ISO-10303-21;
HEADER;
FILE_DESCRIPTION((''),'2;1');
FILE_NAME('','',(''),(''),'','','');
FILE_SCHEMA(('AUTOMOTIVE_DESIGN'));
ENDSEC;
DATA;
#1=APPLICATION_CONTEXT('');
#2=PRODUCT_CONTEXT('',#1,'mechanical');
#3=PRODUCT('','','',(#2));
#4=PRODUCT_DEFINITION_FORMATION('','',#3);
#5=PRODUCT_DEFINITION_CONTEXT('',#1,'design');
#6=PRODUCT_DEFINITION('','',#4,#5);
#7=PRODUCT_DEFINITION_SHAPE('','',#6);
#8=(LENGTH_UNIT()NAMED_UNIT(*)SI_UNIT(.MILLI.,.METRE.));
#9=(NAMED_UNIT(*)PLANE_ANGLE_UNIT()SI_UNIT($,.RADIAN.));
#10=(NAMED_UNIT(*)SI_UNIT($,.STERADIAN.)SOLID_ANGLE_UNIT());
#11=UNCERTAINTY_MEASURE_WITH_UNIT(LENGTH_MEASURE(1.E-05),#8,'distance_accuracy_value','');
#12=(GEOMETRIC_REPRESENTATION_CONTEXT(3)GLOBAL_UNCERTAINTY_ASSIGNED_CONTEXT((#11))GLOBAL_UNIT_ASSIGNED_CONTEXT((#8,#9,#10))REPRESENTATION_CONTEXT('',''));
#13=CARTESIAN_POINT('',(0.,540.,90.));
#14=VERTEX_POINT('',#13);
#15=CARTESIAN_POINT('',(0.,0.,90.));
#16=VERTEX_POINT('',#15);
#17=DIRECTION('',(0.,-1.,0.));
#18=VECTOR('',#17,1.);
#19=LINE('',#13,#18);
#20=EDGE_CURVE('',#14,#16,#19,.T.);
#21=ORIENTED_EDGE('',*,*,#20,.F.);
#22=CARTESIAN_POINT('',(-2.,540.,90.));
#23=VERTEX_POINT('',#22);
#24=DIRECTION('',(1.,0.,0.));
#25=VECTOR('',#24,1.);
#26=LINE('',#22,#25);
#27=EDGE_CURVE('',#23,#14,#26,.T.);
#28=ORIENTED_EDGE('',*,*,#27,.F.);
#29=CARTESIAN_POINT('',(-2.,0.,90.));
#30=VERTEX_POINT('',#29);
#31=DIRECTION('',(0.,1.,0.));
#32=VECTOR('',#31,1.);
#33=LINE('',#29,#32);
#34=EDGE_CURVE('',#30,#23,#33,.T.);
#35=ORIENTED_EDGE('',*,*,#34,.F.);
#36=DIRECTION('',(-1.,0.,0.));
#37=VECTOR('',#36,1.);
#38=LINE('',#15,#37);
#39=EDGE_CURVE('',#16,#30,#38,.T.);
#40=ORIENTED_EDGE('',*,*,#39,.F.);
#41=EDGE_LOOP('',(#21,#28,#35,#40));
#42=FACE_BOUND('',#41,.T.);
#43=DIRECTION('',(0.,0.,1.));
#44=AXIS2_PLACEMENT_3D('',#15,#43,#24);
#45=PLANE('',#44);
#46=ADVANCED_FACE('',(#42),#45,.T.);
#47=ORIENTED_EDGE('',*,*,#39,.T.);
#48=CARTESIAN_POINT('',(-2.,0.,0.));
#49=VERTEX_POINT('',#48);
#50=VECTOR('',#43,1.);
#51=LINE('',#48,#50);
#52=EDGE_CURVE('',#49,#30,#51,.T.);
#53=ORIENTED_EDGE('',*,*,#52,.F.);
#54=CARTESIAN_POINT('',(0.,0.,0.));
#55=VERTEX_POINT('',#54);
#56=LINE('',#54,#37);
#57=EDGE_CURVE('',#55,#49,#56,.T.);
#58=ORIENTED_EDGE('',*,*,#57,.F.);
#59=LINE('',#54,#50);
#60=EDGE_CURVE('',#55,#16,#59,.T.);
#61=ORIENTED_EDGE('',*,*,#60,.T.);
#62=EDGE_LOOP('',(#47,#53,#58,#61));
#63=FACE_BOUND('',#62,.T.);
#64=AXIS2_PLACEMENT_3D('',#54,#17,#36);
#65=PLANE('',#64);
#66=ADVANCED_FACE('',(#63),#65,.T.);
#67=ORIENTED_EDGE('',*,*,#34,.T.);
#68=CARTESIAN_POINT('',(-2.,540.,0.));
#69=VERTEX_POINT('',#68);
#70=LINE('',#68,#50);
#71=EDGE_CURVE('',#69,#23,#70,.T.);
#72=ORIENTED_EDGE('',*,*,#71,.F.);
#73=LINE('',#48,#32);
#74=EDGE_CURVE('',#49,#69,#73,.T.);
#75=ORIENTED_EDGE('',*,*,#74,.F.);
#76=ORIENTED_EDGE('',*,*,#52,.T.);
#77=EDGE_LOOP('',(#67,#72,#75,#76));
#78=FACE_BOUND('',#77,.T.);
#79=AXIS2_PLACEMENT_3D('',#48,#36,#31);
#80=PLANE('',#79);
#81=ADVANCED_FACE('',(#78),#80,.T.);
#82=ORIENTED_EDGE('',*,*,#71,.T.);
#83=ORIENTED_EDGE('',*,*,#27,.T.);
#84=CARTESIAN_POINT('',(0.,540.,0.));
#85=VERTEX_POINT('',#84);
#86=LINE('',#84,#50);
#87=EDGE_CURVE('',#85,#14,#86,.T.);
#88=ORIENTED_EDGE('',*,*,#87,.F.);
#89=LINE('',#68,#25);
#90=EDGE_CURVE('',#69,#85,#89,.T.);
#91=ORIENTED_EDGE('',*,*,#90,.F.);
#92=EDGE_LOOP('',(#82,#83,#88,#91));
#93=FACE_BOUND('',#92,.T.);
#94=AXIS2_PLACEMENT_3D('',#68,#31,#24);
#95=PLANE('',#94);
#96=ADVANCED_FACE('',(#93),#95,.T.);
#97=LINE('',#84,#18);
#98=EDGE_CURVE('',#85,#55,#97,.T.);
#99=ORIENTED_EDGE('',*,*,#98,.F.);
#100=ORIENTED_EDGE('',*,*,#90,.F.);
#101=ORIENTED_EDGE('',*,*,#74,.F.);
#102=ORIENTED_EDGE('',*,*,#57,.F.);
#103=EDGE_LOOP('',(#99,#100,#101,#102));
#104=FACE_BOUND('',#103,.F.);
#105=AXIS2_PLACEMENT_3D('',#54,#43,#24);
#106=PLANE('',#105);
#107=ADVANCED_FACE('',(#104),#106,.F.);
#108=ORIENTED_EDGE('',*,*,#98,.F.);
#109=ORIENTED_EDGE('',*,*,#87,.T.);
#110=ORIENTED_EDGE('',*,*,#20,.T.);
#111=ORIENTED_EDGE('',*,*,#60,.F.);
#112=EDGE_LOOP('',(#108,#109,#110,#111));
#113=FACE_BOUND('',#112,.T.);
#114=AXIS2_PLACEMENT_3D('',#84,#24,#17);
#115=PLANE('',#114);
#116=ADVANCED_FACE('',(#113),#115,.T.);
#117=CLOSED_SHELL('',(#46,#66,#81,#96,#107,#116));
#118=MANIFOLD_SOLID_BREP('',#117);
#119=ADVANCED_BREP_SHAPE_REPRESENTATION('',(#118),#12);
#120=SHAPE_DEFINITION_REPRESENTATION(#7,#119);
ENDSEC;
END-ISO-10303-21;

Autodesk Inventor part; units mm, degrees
ref_plane "YZ Plane" through (0, 0, 0) normal (1, 0, 0) x (0, 1, 0)
ref_plane "XZ Plane" through (0, 0, 0) normal (0, 1, 0) x (-1, 0, 0)
ref_plane "XY Plane" through (0, 0, 0) normal (0, 0, 1) x (1, 0, 0)
sketch "Sketch1" plane through (0, 0, 0) normal (0, 0, 1) x (1, 0, 0)
  line L0 (0, 0) -> (-2, 0)
  line L1 (-2, 0) -> (-2, 540)
  line L2 (-2, 540) -> (0, 540)
  line L3 (0, 540) -> (0, 0)
  dimension "d0" = 2
  dimension "d1" = 540
extrude "Extrusion1" add sketch "Sketch1" along normal blind 90
properties part number "Seitenteil_Einbau2"
